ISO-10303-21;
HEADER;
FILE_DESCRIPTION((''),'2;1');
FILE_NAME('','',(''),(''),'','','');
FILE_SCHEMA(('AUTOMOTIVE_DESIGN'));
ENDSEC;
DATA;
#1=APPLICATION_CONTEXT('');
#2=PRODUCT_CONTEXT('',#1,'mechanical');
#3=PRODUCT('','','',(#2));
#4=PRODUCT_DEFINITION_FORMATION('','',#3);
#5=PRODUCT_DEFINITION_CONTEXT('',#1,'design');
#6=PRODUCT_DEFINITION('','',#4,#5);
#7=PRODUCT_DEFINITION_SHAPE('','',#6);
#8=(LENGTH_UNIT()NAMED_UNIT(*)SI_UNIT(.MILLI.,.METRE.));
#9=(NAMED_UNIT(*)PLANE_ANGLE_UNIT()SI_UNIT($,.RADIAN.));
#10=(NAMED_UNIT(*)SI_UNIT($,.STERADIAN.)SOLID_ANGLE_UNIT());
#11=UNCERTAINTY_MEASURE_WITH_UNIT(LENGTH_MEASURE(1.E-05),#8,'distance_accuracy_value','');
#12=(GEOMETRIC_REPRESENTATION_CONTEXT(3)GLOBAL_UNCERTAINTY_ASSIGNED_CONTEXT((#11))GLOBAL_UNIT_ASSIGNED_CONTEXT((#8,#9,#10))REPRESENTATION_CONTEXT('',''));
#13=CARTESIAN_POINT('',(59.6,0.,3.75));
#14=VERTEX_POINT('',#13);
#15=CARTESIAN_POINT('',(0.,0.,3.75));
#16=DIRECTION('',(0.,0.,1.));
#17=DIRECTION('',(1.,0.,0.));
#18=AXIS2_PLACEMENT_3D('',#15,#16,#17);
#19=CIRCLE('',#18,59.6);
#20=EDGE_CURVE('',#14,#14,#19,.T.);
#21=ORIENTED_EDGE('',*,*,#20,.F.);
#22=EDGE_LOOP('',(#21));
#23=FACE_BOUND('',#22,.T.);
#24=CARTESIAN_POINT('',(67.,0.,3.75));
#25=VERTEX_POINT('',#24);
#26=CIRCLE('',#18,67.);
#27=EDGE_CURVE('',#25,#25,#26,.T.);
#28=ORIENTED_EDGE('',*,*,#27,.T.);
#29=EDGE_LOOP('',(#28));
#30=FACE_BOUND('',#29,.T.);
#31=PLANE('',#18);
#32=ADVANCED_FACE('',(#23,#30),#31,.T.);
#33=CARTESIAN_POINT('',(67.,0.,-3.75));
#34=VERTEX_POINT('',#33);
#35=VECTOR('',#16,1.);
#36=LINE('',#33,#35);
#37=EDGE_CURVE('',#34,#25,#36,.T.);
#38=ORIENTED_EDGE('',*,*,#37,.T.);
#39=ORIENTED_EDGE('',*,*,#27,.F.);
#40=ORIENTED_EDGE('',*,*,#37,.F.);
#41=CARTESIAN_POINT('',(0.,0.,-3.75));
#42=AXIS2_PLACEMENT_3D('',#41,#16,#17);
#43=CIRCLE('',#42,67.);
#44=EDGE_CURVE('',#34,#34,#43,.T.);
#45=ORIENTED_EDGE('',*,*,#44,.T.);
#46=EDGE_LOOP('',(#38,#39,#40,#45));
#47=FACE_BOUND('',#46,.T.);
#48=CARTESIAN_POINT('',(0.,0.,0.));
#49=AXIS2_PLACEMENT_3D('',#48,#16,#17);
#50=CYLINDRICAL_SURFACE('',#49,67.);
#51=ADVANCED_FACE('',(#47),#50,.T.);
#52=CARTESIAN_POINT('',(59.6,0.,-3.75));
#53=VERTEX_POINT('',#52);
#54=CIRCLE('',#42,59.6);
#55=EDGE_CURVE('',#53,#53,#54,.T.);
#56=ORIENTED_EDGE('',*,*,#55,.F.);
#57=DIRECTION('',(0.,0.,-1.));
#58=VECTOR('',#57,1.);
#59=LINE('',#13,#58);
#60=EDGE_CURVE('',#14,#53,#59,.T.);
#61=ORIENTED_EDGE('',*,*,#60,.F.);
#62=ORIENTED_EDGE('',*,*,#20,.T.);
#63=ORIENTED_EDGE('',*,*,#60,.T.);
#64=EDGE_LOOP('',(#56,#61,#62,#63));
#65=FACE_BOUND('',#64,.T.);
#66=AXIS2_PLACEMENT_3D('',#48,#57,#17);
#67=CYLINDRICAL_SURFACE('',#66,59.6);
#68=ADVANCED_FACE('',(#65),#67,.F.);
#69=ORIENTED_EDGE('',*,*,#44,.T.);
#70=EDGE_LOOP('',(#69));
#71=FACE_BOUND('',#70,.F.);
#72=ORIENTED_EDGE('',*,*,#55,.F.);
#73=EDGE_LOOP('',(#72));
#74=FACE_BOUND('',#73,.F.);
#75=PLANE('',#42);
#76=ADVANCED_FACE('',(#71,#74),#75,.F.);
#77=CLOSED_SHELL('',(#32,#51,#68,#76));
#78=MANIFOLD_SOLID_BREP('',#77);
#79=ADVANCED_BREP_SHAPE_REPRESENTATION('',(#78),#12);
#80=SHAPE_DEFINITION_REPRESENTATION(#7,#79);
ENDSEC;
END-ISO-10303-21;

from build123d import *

# Parameters (mm, degrees)
F0_R     = 67
F0_R_2   = 63.875
F0_R_3   = 63.125
F0_R_4   = 59.6
F1_DEPTH = 3.75


with BuildPart() as f1:
    # F0 (on Top) → F1 (new body, symmetric)
    with BuildSketch(Plane.XY):
        Circle(F0_R)
        Circle(F0_R_2, mode=Mode.SUBTRACT)
        Circle(F0_R_2)
        Circle(F0_R_3, mode=Mode.SUBTRACT)
        Circle(F0_R_3)
        Circle(F0_R_4, mode=Mode.SUBTRACT)
    extrude(amount=F1_DEPTH, both=True)


solid = f1.part
